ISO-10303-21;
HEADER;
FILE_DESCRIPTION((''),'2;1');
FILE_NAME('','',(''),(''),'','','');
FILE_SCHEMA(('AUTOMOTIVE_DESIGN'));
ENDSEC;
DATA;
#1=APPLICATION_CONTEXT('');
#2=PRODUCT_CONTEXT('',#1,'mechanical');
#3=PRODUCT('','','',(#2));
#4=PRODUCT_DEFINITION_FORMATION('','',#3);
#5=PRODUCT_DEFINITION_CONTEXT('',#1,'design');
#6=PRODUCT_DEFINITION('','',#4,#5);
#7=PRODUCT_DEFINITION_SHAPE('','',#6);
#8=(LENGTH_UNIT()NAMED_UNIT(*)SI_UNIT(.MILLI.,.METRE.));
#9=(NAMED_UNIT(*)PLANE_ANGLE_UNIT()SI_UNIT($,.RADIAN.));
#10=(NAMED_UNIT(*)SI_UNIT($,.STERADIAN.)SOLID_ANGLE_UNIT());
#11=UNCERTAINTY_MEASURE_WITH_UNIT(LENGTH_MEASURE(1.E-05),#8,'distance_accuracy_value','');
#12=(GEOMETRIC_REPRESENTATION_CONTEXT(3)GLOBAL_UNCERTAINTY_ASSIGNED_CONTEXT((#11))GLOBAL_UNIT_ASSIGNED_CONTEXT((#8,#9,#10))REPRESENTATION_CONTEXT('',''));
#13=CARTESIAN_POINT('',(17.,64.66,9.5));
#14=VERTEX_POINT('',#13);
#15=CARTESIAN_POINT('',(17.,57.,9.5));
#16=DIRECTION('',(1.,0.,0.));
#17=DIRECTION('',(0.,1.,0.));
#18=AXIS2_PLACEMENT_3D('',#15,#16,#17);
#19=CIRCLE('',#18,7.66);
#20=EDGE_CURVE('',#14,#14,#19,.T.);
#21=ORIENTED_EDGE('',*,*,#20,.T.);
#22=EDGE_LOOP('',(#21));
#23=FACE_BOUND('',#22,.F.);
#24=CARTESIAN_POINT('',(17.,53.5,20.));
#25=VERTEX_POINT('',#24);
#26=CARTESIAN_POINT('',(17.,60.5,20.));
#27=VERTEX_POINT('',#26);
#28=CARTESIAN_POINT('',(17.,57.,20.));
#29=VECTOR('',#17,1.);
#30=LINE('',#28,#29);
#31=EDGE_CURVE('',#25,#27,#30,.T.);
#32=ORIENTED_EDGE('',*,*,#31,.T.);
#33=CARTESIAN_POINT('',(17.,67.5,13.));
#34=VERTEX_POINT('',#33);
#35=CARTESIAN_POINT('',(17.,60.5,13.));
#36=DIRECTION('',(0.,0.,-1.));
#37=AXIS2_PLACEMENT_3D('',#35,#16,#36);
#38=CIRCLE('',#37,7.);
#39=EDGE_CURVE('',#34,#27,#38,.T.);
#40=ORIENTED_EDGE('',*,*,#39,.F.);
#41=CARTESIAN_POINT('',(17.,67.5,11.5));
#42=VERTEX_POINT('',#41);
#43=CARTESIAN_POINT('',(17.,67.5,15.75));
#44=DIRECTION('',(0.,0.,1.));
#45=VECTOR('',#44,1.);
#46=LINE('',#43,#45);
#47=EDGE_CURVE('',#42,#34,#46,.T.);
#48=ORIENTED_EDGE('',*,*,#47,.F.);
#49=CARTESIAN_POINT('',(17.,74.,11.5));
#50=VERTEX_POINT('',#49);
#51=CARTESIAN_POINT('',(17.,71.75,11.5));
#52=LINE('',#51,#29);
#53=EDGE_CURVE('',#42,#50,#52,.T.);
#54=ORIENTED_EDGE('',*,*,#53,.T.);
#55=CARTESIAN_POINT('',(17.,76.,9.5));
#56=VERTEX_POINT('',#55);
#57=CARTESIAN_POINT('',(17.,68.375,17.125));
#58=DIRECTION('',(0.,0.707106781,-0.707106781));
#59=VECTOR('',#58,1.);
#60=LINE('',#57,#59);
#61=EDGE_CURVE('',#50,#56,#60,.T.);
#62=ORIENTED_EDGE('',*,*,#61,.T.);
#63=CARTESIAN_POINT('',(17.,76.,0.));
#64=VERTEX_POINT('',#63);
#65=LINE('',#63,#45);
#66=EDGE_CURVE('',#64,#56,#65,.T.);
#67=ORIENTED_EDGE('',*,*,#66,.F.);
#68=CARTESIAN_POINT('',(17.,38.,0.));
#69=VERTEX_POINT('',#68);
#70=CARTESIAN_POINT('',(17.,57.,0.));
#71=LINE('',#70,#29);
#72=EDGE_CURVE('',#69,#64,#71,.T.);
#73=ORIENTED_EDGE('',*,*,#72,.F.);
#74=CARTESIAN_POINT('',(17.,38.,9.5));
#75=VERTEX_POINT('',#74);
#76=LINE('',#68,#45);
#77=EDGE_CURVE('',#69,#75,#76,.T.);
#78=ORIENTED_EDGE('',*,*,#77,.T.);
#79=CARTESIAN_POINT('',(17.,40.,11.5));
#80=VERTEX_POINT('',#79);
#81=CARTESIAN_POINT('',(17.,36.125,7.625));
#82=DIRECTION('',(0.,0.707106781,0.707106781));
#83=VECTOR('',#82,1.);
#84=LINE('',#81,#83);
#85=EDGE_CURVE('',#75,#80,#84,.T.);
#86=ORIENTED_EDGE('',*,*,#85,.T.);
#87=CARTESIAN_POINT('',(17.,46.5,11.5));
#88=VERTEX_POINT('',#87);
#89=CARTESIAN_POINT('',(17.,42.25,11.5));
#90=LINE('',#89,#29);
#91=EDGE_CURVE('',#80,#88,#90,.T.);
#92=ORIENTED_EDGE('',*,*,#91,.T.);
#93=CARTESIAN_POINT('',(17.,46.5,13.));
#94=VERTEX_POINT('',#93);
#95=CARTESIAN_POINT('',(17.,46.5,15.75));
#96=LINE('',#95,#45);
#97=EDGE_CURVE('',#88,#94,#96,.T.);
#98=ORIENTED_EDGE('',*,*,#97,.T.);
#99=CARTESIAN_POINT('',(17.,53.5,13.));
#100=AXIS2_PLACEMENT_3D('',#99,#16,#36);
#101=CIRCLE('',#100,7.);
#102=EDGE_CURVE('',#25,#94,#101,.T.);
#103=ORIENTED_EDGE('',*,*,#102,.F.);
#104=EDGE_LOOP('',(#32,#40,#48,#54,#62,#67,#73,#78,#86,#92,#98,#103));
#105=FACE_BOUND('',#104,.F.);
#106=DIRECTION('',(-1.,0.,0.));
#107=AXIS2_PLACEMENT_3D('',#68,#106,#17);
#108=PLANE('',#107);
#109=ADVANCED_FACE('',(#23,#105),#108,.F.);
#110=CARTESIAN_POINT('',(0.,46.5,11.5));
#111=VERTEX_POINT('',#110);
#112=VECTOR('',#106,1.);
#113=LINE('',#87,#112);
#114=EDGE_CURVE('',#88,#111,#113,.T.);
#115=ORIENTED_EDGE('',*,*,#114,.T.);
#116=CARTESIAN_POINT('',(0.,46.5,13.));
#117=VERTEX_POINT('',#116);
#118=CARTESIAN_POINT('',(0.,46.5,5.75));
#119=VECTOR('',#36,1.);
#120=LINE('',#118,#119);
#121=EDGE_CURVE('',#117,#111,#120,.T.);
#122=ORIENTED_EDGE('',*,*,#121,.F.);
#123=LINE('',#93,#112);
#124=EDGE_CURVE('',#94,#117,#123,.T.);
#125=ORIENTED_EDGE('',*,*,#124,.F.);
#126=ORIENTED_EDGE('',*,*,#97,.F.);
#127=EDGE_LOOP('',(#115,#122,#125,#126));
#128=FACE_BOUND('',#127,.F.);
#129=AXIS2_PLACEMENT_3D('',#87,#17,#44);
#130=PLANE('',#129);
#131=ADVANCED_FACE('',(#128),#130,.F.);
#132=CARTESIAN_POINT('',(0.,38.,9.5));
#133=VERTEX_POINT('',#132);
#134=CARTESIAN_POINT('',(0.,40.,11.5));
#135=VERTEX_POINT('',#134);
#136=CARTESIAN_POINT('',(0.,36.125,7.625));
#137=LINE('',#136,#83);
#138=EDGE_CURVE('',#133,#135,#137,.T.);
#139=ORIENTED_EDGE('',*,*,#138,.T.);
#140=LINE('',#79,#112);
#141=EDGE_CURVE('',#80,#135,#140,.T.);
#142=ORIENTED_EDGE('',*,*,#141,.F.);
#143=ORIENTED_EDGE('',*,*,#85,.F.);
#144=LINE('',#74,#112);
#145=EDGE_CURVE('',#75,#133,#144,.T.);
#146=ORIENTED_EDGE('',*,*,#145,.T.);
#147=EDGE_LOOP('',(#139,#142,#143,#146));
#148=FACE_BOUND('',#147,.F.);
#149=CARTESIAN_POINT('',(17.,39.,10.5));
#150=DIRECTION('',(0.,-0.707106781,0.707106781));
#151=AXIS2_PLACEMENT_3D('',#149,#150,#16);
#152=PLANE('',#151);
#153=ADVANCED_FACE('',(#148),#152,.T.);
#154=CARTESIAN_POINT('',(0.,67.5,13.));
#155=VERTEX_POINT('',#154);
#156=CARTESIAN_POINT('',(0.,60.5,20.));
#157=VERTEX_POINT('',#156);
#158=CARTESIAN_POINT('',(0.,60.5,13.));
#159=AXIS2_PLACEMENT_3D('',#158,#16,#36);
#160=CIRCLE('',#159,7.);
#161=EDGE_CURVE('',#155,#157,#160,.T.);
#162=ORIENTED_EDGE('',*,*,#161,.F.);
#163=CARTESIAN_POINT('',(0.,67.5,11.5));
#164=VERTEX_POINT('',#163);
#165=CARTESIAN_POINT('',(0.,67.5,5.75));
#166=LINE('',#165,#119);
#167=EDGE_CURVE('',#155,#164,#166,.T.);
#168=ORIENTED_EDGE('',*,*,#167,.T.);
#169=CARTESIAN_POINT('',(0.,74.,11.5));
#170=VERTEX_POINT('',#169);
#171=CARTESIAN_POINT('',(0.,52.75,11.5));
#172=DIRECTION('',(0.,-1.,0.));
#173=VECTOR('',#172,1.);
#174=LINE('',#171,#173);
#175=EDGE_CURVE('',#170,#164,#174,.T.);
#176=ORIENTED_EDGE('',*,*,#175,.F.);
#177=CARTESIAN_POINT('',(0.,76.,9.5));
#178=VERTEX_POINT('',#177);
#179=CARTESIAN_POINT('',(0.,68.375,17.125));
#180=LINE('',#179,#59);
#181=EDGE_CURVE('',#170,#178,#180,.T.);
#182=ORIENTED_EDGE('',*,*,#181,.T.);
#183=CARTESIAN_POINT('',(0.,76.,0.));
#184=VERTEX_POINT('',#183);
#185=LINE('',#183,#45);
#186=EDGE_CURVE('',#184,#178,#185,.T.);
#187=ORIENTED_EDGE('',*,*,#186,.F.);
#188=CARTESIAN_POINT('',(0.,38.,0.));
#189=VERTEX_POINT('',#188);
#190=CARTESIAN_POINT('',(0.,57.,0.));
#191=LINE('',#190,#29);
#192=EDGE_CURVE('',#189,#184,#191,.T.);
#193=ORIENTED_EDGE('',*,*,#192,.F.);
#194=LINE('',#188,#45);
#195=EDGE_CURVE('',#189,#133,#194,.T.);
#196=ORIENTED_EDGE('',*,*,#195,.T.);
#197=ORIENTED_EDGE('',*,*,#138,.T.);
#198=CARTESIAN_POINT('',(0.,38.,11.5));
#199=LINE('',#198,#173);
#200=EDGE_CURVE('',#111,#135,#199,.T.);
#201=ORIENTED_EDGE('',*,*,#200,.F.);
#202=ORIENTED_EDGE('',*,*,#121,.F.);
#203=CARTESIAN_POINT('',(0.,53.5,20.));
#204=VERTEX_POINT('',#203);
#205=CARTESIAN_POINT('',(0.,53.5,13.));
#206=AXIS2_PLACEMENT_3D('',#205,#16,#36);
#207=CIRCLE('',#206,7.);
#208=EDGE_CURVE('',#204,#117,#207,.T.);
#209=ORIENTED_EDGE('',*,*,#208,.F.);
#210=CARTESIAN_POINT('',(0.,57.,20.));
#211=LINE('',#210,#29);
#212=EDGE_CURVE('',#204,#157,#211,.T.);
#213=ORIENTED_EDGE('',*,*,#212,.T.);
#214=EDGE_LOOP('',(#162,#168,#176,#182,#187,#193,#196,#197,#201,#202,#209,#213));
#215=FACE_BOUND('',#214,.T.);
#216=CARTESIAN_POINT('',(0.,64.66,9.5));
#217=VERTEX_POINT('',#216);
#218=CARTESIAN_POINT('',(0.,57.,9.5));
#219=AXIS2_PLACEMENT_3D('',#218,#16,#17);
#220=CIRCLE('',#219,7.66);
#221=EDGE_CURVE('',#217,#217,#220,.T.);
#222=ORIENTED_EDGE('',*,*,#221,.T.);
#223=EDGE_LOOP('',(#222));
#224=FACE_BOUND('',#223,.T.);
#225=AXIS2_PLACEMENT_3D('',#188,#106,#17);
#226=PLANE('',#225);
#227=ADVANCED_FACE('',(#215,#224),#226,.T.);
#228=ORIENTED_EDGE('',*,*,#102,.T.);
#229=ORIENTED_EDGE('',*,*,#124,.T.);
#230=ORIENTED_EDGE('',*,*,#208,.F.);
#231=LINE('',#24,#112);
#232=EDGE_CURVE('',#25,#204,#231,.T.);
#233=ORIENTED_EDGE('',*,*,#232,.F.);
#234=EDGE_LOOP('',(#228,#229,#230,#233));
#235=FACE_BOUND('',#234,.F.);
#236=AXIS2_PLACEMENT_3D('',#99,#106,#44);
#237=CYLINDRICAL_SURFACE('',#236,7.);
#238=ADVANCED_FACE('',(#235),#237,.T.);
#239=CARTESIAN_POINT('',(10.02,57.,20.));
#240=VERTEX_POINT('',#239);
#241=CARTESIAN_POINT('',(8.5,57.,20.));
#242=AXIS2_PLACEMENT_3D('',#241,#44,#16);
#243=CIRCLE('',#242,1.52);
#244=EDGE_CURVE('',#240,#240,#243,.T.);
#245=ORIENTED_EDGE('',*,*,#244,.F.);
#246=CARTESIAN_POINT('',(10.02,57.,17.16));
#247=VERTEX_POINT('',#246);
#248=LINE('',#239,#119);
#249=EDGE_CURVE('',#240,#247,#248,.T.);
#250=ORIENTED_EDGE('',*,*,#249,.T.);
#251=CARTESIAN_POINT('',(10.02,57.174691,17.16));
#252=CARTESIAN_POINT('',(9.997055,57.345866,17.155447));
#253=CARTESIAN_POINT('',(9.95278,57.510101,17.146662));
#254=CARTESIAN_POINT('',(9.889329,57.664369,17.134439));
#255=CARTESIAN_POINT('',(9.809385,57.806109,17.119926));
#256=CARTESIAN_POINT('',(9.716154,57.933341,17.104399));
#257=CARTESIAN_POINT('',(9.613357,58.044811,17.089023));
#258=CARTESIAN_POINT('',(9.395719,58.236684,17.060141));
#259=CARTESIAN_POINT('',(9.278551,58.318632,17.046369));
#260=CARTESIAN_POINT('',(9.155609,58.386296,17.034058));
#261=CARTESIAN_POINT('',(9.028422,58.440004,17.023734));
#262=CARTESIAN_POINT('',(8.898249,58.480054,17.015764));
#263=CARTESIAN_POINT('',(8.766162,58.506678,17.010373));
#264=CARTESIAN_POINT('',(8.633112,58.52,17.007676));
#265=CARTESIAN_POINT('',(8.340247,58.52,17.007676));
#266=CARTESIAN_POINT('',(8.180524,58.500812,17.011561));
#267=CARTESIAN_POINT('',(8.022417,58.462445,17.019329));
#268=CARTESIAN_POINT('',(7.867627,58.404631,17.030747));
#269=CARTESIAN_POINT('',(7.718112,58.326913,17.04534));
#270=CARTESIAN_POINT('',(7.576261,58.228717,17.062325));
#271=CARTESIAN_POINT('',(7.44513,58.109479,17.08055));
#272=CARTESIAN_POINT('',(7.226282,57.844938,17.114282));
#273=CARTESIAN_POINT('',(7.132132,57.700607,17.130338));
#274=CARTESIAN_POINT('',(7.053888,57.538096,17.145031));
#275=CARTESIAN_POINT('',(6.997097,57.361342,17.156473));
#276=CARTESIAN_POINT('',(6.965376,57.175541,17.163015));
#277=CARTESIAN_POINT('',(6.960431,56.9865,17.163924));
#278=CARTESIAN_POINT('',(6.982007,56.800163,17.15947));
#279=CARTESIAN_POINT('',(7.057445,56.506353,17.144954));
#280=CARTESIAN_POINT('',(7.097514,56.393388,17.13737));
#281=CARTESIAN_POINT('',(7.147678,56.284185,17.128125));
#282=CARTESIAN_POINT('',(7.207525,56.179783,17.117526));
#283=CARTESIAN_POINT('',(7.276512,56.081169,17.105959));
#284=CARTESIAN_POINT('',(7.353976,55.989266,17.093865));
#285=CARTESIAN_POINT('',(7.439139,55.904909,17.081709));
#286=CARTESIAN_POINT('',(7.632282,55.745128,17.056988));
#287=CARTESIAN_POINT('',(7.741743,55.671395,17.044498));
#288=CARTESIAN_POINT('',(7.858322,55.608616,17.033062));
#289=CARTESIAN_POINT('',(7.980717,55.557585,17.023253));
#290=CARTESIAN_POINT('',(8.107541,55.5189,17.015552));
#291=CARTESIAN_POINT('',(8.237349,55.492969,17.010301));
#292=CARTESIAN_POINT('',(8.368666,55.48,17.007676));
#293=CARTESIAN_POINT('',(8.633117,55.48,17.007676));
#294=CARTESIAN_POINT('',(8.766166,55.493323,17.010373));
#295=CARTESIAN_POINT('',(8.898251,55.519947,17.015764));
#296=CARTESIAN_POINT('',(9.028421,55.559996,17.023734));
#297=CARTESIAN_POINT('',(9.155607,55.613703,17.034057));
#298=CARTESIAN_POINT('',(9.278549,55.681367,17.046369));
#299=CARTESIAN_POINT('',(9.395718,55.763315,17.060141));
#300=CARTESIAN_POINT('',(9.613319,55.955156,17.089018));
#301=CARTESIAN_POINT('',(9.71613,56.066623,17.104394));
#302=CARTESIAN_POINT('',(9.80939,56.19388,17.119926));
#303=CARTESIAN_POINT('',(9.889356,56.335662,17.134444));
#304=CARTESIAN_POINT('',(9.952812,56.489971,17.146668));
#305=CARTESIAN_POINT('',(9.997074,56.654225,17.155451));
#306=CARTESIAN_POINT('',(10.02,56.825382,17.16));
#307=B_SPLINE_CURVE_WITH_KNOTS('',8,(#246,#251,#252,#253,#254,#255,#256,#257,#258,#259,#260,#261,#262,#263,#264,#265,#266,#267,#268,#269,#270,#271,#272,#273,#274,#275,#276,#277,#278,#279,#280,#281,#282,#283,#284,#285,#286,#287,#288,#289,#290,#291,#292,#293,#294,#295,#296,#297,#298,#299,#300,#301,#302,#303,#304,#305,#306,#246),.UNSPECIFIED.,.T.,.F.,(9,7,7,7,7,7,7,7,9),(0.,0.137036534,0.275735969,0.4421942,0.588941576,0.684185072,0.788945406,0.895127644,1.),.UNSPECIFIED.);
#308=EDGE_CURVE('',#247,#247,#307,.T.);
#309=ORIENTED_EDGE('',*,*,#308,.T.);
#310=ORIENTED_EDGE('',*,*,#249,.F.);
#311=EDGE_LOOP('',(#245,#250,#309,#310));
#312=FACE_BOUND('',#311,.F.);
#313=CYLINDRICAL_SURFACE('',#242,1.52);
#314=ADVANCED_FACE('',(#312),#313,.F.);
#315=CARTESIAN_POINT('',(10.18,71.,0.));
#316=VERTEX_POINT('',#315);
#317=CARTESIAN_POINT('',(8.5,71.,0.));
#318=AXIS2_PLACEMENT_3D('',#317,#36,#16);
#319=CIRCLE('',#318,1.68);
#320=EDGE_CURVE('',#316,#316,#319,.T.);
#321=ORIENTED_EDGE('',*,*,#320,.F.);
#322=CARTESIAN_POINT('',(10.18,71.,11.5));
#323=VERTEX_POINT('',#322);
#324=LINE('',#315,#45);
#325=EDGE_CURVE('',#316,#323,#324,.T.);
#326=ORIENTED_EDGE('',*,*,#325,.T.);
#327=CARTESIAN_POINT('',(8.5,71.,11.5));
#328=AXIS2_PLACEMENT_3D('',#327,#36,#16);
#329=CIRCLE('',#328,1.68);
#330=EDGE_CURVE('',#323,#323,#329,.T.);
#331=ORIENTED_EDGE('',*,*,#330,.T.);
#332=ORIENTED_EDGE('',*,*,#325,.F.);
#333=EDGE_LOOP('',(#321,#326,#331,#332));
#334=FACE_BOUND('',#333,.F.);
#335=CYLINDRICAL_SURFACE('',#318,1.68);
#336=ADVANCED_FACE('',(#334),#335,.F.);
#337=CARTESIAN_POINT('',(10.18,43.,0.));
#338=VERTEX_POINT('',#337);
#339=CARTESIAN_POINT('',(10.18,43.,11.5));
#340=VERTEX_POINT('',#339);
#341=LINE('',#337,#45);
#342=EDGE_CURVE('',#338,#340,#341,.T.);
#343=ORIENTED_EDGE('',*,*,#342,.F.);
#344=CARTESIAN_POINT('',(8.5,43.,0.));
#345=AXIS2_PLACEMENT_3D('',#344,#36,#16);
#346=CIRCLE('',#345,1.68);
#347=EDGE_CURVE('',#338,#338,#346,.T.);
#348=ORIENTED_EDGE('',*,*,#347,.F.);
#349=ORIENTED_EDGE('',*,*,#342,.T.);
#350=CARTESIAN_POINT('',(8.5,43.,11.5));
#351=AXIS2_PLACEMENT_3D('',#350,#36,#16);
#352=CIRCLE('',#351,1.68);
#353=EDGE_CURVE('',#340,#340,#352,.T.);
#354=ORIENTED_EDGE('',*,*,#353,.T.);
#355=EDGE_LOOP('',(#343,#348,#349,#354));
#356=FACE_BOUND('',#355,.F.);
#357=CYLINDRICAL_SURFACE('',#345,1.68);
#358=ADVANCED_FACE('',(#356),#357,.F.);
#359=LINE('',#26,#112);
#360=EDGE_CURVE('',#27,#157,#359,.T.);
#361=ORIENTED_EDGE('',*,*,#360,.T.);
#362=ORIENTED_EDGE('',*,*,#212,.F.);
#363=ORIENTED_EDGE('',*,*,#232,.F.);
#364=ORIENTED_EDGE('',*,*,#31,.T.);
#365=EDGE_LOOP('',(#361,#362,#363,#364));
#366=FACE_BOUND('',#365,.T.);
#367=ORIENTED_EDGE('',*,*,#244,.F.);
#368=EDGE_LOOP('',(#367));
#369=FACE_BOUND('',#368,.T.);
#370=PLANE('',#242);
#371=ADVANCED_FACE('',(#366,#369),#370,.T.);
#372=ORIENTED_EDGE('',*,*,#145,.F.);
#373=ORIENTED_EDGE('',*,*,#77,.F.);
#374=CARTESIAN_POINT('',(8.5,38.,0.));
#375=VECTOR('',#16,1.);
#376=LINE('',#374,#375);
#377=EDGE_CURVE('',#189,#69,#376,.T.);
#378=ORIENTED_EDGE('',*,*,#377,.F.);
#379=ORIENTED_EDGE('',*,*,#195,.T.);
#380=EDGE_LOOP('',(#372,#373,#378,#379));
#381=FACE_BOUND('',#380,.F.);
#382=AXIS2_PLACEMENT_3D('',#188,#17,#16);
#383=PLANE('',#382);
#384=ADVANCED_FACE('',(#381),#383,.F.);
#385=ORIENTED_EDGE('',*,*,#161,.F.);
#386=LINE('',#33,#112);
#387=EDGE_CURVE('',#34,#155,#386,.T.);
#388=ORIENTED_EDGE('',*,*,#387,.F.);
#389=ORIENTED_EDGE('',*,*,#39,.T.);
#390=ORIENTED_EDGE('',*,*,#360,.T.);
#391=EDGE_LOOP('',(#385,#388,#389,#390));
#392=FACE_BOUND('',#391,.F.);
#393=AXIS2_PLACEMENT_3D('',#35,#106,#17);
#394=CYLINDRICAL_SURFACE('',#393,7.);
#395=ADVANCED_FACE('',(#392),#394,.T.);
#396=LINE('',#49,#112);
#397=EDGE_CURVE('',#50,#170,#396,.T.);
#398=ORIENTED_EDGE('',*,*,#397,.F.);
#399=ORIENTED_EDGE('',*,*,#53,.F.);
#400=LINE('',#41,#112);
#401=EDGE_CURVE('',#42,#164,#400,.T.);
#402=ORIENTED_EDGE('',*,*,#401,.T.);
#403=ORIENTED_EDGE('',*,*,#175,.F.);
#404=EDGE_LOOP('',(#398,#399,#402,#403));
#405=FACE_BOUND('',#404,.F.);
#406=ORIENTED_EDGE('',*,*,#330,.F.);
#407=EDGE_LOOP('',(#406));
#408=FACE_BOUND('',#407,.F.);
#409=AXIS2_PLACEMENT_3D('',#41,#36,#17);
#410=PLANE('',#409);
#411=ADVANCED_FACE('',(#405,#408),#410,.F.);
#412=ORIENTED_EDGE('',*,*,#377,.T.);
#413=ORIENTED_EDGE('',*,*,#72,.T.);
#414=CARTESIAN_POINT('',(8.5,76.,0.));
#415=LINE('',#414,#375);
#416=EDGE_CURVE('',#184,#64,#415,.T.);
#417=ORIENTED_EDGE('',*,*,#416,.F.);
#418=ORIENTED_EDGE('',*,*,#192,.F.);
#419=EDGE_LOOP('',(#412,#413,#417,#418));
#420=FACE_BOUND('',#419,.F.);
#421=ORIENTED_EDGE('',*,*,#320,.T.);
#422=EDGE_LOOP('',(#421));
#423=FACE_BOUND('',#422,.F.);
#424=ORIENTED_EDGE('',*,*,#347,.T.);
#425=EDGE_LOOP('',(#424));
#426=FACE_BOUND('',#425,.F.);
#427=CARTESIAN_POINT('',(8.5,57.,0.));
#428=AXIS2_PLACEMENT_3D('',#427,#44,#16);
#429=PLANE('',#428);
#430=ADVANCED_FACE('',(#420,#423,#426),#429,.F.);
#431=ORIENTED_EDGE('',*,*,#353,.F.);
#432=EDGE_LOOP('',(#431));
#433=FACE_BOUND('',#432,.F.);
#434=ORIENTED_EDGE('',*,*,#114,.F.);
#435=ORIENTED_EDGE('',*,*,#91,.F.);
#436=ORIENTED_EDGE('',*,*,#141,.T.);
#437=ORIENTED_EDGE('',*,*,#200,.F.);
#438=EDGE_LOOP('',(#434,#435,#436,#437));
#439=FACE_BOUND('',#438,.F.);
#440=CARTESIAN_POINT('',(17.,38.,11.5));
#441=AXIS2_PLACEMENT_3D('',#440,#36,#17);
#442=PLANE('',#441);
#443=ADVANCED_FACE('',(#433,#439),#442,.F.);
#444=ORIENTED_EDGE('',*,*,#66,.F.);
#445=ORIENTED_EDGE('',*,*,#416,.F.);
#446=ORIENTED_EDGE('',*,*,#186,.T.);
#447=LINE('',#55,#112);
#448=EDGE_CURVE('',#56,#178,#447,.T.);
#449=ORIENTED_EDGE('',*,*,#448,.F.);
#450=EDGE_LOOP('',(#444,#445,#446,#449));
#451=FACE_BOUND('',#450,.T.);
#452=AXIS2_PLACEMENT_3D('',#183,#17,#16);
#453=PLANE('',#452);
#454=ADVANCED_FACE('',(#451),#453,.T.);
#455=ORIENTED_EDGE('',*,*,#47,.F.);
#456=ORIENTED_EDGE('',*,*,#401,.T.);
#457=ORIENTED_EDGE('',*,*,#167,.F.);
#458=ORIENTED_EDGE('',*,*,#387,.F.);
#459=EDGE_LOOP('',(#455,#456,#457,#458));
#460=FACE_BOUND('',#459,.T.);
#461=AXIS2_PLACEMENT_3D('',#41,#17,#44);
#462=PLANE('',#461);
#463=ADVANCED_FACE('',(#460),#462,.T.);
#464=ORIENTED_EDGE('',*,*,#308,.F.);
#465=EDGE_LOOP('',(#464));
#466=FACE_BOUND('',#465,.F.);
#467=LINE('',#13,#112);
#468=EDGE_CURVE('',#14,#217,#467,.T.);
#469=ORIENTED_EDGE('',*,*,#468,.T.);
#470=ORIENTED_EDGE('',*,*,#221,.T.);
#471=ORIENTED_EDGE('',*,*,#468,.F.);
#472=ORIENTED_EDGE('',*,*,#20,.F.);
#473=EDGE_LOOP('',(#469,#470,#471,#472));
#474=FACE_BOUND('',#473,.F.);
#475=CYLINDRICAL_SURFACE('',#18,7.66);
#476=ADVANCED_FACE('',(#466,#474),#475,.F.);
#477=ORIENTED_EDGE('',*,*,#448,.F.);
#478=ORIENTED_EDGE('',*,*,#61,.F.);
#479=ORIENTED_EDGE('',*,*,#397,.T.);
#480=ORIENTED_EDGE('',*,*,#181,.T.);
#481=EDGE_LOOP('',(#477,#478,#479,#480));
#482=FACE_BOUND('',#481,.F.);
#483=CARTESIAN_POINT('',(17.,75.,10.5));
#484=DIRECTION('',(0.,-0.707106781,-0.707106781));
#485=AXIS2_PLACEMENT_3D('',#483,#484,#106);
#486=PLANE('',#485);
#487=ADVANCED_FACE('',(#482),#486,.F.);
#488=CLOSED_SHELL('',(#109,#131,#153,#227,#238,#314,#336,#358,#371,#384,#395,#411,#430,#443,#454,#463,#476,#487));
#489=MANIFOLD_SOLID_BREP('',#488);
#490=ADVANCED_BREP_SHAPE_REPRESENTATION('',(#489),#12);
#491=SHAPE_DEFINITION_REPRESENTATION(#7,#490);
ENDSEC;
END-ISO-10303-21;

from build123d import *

# Parameters (mm, degrees)
BOX_W           = 17
BOX_H           = 38
BOX_DEPTH       = 20
SKETCH_R        = 7.66
SKETCH_W        = 8.5
SKETCH_H        = 8.5
POCKET_DEPTH    = 17.001
SKETCH005_R     = 1.52
POCKET001_DEPTH = 5
SKETCH006_R     = 1.68
POCKET002_DEPTH = 13
FILLET_R        = 7
CHAMFER_SIZE    = 2


with BuildPart() as part:
    # Box → Box (new body)
    with BuildSketch(Plane(origin=(0, 38, 0), x_dir=(1, 0, 0), z_dir=(0, 0, 1))):
        with Locations((8.5, 19)):
            Rectangle(BOX_W, BOX_H)
    extrude(amount=BOX_DEPTH)

    # Sketch → Pocket (cut, through all)
    with BuildSketch(Plane(origin=(17, 38, 0), x_dir=(0, 1, 0), z_dir=(1, 0, 0))):
        with Locations((19, 9.5)):
            Circle(SKETCH_R)
        with Locations((4.25, 15.75)):
            Rectangle(SKETCH_W, SKETCH_H)
        with Locations((33.75, 15.75)):
            Rectangle(SKETCH_W, SKETCH_H)
    extrude(amount=-POCKET_DEPTH, mode=Mode.SUBTRACT)

    # Sketch005 → Pocket001 (cut)
    with BuildSketch(Plane(origin=(0, 38, 20), x_dir=(1, 0, 0), z_dir=(0, 0, 1))):
        with Locations((8.5, 19)):
            Circle(SKETCH005_R)
    extrude(amount=-POCKET001_DEPTH, mode=Mode.SUBTRACT)

    # Sketch006 → Pocket002 (cut)
    with BuildSketch(Plane(origin=(0, 38, 0), x_dir=(1, 0, 0), z_dir=(0, 0, -1))):
        with Locations((8.5, -33)):
            Circle(SKETCH006_R)
        with Locations((8.5, -5)):
            Circle(SKETCH006_R)
    extrude(amount=-POCKET002_DEPTH, mode=Mode.SUBTRACT)

    # Fillet
    fillet_edges = [part.edges().sort_by_distance(p)[0] for p in [
        (8.5, 46.5, 20),
        (8.5, 67.5, 20),
    ]]
    fillet(fillet_edges, radius=FILLET_R)

    # Chamfer
    chamfer_edges = [part.edges().sort_by_distance(p)[0] for p in [
        (8.5, 38, 11.5),
        (8.5, 76, 11.5),
    ]]
    chamfer(chamfer_edges, length=CHAMFER_SIZE)


solid = part.part
